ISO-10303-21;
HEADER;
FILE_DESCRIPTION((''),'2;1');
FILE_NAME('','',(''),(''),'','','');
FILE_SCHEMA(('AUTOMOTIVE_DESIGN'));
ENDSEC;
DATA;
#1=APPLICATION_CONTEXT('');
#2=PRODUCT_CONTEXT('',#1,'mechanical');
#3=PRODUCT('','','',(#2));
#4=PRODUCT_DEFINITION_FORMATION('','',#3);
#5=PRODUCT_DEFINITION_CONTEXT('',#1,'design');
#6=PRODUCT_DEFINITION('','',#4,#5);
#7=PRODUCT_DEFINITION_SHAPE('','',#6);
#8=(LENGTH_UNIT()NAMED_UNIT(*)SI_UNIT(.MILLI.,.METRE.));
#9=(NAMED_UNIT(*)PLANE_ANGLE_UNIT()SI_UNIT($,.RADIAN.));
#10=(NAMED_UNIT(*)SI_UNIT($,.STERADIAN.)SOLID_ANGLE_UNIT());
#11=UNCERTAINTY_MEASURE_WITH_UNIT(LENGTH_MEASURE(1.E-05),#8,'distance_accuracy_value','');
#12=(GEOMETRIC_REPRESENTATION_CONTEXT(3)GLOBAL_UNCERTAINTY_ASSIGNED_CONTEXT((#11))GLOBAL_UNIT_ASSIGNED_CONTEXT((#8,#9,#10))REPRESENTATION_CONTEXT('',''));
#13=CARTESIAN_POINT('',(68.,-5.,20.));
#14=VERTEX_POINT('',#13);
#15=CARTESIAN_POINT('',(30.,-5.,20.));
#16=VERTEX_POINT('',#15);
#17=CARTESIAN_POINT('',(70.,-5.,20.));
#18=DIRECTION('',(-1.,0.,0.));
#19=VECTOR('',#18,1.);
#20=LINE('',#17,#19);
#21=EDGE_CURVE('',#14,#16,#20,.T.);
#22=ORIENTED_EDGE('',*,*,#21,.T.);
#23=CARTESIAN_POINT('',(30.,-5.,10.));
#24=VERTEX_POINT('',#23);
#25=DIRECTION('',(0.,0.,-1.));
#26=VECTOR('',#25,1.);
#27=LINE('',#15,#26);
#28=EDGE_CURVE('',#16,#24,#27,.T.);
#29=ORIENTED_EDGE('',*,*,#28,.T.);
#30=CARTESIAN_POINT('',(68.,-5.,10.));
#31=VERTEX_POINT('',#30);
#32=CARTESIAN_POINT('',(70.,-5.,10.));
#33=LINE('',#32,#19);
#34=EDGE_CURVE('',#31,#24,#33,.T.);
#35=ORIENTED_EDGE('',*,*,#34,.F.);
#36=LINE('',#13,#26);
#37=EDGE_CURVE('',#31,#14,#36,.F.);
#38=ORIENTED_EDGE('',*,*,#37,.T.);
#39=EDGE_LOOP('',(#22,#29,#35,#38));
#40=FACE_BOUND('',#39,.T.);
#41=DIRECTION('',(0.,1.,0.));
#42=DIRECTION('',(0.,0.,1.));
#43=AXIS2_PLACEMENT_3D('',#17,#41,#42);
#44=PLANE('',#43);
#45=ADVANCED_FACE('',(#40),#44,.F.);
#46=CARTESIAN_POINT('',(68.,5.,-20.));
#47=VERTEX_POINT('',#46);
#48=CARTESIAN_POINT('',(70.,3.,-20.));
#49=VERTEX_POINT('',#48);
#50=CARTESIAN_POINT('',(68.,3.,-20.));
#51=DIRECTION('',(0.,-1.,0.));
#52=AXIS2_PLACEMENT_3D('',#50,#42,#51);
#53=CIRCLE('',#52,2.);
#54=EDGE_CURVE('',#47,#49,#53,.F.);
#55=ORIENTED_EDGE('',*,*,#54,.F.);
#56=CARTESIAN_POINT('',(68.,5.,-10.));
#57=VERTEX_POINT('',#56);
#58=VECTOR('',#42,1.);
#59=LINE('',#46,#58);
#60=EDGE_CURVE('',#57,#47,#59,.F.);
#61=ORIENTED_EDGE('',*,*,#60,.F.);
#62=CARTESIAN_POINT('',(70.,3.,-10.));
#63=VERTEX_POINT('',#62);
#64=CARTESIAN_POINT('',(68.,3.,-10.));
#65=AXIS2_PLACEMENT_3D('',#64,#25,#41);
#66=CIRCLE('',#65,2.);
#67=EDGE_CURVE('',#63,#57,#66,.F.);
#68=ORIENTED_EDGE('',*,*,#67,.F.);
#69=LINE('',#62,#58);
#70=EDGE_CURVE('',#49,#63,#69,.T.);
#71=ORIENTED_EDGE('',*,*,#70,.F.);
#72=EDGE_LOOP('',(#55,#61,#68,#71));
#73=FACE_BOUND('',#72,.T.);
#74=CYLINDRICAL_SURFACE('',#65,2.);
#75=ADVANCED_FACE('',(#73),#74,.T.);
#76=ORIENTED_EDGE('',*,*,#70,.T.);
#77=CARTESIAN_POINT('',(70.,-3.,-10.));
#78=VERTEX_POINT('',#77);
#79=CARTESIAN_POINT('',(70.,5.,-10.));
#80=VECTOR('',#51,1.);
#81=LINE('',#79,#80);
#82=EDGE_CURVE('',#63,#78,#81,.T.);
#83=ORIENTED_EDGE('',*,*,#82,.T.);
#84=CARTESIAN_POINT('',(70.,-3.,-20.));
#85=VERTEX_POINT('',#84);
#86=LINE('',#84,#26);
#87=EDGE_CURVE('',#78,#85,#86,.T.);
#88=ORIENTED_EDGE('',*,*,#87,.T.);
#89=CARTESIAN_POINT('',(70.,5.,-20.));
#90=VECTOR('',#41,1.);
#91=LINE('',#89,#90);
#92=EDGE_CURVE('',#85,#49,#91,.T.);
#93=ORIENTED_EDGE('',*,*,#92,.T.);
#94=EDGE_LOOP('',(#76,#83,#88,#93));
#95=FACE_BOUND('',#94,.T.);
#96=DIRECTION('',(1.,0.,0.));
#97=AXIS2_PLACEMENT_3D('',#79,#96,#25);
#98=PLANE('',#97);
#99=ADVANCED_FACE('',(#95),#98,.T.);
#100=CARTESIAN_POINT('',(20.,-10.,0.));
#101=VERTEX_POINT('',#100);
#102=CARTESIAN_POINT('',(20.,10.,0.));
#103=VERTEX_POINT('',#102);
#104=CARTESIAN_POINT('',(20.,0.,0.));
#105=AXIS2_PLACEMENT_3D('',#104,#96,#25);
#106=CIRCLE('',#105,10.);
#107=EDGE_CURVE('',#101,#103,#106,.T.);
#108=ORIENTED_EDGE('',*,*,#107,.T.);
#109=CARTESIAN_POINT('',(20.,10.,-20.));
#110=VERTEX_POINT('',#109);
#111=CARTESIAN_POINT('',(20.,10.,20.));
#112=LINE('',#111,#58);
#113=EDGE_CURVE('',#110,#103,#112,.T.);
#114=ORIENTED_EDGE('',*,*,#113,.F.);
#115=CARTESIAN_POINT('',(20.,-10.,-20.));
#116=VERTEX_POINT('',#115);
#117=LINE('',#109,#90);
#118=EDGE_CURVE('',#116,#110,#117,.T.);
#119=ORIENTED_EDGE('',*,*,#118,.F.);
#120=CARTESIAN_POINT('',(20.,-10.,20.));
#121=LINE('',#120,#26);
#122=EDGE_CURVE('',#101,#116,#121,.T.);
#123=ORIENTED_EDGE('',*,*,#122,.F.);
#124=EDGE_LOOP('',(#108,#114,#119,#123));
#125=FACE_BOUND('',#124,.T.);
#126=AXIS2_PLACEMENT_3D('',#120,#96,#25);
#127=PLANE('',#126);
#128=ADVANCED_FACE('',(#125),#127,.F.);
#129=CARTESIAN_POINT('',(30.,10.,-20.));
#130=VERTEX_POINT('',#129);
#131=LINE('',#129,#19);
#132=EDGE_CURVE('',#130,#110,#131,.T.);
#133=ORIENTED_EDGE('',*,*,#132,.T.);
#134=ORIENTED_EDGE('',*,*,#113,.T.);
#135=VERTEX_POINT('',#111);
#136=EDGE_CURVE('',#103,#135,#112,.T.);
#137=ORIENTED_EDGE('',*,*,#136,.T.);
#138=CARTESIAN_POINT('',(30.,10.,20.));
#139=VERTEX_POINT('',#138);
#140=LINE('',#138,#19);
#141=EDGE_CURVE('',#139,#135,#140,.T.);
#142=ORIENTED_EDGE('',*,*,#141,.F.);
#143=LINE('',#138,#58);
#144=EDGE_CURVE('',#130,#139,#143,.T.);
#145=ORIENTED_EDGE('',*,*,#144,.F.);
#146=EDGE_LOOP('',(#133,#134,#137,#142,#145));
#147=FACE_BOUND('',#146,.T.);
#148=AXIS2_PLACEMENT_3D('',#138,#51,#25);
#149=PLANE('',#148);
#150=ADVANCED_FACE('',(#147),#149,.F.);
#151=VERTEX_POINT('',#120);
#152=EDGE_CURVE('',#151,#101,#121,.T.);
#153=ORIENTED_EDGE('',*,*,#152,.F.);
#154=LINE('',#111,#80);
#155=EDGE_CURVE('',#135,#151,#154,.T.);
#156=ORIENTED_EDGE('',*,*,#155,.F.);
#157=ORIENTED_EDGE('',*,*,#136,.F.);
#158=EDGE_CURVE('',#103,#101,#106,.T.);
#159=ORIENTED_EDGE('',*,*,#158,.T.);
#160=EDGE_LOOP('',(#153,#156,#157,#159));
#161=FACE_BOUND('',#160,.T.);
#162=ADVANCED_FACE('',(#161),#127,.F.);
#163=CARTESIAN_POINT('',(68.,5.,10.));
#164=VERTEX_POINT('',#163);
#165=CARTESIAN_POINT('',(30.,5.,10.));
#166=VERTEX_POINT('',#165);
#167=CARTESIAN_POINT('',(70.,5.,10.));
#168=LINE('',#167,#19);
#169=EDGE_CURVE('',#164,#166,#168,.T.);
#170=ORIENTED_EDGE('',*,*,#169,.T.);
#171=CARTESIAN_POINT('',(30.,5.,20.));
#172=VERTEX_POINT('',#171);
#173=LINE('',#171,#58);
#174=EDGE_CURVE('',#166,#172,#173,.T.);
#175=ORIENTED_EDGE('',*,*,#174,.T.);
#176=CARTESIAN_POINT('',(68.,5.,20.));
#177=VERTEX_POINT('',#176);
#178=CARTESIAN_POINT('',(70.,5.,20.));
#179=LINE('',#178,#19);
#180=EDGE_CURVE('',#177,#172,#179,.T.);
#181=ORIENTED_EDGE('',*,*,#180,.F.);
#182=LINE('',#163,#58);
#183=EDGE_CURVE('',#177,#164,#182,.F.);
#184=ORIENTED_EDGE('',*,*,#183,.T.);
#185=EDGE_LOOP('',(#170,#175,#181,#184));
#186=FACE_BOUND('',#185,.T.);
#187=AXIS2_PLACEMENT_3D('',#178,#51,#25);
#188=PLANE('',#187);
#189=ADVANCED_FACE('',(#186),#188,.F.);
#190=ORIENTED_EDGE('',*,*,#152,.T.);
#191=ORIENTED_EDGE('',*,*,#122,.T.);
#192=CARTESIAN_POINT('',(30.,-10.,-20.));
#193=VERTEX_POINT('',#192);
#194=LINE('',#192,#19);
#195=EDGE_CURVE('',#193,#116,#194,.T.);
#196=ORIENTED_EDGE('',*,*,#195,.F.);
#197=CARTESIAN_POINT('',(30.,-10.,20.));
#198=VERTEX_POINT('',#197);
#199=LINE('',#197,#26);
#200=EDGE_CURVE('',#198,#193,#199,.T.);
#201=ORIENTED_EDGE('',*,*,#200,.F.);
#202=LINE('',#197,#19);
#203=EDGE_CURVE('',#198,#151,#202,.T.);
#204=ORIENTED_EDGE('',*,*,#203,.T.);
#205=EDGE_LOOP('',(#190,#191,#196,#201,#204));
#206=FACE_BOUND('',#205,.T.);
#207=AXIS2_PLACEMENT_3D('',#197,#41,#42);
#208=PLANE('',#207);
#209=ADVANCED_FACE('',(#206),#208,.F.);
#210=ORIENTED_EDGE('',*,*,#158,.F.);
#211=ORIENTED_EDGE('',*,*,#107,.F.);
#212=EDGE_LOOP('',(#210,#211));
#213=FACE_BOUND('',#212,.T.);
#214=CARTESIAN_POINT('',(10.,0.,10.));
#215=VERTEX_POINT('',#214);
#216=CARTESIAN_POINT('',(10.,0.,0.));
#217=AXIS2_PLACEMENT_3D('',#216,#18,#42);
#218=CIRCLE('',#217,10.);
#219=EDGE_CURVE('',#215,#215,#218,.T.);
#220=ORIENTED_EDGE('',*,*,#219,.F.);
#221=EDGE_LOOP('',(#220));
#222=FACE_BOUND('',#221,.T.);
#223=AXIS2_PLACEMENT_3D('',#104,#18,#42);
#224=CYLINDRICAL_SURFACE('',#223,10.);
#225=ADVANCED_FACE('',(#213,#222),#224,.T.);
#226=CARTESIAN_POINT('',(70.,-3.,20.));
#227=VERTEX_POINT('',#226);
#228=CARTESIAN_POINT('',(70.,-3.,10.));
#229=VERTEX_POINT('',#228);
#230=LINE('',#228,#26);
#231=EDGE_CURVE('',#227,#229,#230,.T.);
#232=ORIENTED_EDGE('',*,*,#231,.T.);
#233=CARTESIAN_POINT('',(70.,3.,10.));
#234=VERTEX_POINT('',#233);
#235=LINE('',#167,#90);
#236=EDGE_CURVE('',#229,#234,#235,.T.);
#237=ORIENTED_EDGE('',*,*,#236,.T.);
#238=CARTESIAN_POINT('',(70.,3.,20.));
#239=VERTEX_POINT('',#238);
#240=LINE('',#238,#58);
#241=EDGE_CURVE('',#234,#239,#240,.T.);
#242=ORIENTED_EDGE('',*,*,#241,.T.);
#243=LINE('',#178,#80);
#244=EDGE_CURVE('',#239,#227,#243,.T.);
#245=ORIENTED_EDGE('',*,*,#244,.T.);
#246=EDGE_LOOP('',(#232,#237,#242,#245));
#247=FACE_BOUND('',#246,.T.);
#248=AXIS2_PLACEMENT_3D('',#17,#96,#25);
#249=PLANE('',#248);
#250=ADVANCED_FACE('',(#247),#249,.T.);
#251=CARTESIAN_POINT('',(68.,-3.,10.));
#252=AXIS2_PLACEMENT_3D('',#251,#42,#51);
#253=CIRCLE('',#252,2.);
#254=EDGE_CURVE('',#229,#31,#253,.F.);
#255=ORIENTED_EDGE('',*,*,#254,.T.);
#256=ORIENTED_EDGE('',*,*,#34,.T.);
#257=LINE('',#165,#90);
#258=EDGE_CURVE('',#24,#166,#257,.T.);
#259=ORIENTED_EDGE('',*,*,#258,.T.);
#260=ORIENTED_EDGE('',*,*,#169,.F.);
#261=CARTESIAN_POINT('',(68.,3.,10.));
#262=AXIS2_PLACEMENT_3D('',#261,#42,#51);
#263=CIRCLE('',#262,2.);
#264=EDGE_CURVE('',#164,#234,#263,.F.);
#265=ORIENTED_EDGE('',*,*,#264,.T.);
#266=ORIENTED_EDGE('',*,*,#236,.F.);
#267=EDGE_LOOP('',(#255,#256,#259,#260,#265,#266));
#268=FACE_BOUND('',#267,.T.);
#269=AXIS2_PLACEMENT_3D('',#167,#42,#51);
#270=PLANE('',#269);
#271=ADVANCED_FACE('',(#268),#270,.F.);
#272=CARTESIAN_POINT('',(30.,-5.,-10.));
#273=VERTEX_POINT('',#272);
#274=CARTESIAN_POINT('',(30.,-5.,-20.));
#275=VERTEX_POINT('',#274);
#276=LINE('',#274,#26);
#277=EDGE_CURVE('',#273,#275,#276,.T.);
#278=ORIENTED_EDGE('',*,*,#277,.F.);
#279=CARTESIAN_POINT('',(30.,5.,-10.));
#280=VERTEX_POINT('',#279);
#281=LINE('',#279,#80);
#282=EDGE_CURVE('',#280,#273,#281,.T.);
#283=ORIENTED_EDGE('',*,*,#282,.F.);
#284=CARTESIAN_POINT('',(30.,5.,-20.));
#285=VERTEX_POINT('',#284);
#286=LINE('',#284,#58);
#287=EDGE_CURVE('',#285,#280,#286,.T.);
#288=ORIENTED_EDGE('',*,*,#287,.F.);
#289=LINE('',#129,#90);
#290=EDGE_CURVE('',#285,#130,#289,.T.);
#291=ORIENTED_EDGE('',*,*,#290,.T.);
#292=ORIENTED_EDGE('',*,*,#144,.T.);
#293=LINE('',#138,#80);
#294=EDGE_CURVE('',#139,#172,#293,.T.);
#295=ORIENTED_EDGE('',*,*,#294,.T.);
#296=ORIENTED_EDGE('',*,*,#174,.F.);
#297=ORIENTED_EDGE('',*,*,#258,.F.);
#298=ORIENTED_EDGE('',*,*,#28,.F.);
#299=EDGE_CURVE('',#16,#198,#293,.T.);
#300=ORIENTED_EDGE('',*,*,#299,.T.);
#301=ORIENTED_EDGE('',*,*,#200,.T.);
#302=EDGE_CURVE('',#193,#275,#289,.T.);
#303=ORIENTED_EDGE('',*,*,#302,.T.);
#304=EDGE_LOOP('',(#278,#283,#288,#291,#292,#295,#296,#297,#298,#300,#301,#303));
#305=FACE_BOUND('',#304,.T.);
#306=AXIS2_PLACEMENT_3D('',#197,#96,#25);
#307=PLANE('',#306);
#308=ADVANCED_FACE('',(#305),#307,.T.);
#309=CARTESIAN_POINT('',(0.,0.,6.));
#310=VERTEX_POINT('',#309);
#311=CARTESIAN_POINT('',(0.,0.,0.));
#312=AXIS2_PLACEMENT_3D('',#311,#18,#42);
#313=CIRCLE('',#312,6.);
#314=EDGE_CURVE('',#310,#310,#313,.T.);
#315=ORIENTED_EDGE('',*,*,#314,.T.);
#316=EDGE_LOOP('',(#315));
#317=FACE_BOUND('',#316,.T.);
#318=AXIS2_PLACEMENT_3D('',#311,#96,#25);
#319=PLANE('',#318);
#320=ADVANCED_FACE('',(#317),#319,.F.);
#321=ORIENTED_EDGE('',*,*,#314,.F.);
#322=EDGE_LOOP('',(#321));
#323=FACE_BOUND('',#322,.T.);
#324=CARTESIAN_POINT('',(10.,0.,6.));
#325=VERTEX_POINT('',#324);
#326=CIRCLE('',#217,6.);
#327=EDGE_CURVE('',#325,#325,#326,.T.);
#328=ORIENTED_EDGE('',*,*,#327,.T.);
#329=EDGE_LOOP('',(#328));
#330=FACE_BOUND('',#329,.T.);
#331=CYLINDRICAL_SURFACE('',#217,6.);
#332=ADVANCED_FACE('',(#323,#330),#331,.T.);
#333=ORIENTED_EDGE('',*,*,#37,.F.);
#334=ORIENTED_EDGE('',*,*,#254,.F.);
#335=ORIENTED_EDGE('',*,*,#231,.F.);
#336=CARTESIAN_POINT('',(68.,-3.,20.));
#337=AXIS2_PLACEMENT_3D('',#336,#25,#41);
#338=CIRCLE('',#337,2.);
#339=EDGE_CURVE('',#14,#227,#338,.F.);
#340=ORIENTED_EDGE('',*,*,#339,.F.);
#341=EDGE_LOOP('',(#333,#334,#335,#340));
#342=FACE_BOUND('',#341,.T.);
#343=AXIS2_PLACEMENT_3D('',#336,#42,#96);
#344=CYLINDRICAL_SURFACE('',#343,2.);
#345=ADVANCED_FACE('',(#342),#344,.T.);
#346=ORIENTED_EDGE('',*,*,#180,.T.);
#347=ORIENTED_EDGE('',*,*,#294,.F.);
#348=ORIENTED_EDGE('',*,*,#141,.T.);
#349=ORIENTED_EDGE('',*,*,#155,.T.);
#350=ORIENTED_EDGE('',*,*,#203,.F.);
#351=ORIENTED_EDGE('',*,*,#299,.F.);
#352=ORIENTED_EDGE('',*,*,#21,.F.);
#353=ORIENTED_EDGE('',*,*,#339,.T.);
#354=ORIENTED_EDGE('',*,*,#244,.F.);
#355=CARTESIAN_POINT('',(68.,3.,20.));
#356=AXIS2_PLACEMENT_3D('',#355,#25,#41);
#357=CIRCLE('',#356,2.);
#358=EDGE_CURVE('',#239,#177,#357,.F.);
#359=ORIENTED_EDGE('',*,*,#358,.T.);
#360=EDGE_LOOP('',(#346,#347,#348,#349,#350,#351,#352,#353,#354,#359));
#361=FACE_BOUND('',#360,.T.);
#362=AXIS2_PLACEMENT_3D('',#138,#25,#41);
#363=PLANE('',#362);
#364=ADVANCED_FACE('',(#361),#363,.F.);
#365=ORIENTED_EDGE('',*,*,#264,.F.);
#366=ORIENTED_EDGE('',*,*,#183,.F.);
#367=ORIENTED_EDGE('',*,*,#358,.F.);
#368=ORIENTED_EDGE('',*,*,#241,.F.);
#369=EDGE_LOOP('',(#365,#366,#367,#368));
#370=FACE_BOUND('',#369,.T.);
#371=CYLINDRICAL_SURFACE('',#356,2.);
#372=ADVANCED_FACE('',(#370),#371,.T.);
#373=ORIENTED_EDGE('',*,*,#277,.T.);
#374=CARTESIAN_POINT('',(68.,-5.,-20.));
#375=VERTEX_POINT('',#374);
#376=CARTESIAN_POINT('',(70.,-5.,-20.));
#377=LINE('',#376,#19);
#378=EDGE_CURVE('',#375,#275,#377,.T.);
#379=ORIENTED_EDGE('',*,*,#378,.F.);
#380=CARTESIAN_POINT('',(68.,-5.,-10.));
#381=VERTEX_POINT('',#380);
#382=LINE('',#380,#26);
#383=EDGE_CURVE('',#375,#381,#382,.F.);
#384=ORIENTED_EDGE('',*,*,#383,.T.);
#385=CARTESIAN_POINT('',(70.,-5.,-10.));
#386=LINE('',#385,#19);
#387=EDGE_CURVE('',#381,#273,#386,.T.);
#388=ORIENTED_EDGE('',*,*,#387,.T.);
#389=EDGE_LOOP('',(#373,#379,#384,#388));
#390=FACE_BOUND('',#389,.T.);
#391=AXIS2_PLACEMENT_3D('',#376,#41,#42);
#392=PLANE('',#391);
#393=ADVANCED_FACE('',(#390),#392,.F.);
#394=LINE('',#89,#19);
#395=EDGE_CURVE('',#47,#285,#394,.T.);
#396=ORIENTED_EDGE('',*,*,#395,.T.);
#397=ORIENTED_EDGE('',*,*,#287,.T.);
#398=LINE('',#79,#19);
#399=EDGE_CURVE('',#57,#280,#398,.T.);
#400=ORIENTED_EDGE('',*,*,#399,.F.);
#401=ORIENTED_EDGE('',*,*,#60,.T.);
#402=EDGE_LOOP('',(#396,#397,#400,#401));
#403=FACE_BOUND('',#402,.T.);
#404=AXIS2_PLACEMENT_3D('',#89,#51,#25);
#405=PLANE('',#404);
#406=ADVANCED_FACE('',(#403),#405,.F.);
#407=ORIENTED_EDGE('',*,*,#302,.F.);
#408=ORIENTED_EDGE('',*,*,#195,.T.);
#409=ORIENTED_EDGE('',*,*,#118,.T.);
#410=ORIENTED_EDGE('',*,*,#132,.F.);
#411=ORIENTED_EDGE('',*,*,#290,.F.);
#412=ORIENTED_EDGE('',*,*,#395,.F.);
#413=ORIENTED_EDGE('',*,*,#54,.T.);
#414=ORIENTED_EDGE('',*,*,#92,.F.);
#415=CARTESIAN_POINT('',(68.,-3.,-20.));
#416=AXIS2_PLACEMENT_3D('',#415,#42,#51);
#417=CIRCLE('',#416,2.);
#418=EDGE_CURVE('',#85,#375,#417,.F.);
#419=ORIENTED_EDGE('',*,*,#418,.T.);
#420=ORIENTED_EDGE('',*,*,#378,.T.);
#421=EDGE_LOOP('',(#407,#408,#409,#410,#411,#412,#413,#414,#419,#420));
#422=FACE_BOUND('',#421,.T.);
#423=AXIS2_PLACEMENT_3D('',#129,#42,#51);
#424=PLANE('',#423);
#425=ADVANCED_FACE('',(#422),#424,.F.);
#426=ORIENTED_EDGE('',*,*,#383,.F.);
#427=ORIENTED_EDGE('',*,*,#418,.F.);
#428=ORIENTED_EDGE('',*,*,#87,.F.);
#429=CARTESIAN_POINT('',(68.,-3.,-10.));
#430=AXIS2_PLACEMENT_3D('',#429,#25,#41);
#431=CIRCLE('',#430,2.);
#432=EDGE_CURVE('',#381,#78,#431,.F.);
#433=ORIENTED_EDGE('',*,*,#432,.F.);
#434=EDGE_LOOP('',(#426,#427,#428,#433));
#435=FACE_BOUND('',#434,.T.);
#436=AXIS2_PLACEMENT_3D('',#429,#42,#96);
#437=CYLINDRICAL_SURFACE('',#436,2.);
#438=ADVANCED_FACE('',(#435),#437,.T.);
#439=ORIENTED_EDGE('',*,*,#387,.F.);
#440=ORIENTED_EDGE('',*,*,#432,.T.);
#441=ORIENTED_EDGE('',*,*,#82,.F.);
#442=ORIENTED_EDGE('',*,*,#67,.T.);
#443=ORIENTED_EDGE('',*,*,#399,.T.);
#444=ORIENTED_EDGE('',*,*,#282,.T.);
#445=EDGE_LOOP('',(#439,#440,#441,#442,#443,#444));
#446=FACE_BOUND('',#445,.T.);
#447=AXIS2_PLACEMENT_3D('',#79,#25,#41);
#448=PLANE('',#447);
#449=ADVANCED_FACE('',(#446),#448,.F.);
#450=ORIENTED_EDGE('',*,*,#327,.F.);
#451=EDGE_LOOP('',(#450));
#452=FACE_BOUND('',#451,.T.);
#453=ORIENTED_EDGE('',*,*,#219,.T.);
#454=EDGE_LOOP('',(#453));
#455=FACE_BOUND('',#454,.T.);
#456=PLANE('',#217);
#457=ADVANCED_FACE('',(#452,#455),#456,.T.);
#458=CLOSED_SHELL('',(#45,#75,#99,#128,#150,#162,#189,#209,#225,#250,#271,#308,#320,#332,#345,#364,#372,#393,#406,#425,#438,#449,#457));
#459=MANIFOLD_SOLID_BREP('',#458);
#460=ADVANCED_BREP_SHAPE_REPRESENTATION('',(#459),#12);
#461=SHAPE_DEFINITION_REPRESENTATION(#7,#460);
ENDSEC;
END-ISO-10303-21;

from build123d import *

# Parameters (mm, degrees)
SKETCH1_R           = 10
BOSS_EXTRUDE1_DEPTH = 20
SKETCH2_OUTSIDE_W   = 28.928
SKETCH2_OUTSIDE_H   = 28.928
SKETCH2_OUTSIDE_R   = 6
CUT_EXTRUDE1_DEPTH  = 10
SKETCH4_W           = 40
SKETCH4_H           = 20
BOSS_EXTRUDE2_DEPTH = 10
SKETCH6_W           = 10
SKETCH6_H           = 10
BOSS_EXTRUDE3_DEPTH = 40
SKETCH7_W           = 10
SKETCH7_H           = 10
BOSS_EXTRUDE4_DEPTH = 40
FILLET1_R           = 2


with BuildPart() as part:
    # Sketch1 → Boss-Extrude1 (new body)
    with BuildSketch(Plane(origin=(0, 0, 0), x_dir=(0, 0, -1), z_dir=(1, 0, 0))):
        Circle(SKETCH1_R)
    extrude(amount=BOSS_EXTRUDE1_DEPTH)

    # Sketch2 outside → Cut-Extrude1 (cut)
    with BuildSketch(Plane.ZY):
        Rectangle(SKETCH2_OUTSIDE_W, SKETCH2_OUTSIDE_H)
        Circle(SKETCH2_OUTSIDE_R, mode=Mode.SUBTRACT)
    extrude(amount=-CUT_EXTRUDE1_DEPTH, mode=Mode.SUBTRACT)

    # Sketch4 → Boss-Extrude2 (add)
    with BuildSketch(Plane(origin=(20, 0, 0), x_dir=(0, 0, -1), z_dir=(1, 0, 0))):
        Rectangle(SKETCH4_W, SKETCH4_H)
    extrude(amount=BOSS_EXTRUDE2_DEPTH)

    # Sketch6 → Boss-Extrude3 (add)
    with BuildSketch(Plane(origin=(30, 0, 0), x_dir=(0, 0, -1), z_dir=(1, 0, 0))):
        with Locations((-15, 0)):
            Rectangle(SKETCH6_W, SKETCH6_H)
    extrude(amount=BOSS_EXTRUDE3_DEPTH)

    # Sketch7 → Boss-Extrude4 (add)
    with BuildSketch(Plane(origin=(30, 0, 0), x_dir=(0, 0, -1), z_dir=(1, 0, 0))):
        with Locations((15, 0)):
            Rectangle(SKETCH7_W, SKETCH7_H)
    extrude(amount=BOSS_EXTRUDE4_DEPTH)

    # Fillet1
    fillet1_edges = [part.edges().sort_by_distance(p)[0] for p in [
        (70, -5, -15),
        (70, 5, -15),
        (70, -5, 15),
        (70, 5, 15),
    ]]
    fillet(fillet1_edges, radius=FILLET1_R)


solid = part.part
